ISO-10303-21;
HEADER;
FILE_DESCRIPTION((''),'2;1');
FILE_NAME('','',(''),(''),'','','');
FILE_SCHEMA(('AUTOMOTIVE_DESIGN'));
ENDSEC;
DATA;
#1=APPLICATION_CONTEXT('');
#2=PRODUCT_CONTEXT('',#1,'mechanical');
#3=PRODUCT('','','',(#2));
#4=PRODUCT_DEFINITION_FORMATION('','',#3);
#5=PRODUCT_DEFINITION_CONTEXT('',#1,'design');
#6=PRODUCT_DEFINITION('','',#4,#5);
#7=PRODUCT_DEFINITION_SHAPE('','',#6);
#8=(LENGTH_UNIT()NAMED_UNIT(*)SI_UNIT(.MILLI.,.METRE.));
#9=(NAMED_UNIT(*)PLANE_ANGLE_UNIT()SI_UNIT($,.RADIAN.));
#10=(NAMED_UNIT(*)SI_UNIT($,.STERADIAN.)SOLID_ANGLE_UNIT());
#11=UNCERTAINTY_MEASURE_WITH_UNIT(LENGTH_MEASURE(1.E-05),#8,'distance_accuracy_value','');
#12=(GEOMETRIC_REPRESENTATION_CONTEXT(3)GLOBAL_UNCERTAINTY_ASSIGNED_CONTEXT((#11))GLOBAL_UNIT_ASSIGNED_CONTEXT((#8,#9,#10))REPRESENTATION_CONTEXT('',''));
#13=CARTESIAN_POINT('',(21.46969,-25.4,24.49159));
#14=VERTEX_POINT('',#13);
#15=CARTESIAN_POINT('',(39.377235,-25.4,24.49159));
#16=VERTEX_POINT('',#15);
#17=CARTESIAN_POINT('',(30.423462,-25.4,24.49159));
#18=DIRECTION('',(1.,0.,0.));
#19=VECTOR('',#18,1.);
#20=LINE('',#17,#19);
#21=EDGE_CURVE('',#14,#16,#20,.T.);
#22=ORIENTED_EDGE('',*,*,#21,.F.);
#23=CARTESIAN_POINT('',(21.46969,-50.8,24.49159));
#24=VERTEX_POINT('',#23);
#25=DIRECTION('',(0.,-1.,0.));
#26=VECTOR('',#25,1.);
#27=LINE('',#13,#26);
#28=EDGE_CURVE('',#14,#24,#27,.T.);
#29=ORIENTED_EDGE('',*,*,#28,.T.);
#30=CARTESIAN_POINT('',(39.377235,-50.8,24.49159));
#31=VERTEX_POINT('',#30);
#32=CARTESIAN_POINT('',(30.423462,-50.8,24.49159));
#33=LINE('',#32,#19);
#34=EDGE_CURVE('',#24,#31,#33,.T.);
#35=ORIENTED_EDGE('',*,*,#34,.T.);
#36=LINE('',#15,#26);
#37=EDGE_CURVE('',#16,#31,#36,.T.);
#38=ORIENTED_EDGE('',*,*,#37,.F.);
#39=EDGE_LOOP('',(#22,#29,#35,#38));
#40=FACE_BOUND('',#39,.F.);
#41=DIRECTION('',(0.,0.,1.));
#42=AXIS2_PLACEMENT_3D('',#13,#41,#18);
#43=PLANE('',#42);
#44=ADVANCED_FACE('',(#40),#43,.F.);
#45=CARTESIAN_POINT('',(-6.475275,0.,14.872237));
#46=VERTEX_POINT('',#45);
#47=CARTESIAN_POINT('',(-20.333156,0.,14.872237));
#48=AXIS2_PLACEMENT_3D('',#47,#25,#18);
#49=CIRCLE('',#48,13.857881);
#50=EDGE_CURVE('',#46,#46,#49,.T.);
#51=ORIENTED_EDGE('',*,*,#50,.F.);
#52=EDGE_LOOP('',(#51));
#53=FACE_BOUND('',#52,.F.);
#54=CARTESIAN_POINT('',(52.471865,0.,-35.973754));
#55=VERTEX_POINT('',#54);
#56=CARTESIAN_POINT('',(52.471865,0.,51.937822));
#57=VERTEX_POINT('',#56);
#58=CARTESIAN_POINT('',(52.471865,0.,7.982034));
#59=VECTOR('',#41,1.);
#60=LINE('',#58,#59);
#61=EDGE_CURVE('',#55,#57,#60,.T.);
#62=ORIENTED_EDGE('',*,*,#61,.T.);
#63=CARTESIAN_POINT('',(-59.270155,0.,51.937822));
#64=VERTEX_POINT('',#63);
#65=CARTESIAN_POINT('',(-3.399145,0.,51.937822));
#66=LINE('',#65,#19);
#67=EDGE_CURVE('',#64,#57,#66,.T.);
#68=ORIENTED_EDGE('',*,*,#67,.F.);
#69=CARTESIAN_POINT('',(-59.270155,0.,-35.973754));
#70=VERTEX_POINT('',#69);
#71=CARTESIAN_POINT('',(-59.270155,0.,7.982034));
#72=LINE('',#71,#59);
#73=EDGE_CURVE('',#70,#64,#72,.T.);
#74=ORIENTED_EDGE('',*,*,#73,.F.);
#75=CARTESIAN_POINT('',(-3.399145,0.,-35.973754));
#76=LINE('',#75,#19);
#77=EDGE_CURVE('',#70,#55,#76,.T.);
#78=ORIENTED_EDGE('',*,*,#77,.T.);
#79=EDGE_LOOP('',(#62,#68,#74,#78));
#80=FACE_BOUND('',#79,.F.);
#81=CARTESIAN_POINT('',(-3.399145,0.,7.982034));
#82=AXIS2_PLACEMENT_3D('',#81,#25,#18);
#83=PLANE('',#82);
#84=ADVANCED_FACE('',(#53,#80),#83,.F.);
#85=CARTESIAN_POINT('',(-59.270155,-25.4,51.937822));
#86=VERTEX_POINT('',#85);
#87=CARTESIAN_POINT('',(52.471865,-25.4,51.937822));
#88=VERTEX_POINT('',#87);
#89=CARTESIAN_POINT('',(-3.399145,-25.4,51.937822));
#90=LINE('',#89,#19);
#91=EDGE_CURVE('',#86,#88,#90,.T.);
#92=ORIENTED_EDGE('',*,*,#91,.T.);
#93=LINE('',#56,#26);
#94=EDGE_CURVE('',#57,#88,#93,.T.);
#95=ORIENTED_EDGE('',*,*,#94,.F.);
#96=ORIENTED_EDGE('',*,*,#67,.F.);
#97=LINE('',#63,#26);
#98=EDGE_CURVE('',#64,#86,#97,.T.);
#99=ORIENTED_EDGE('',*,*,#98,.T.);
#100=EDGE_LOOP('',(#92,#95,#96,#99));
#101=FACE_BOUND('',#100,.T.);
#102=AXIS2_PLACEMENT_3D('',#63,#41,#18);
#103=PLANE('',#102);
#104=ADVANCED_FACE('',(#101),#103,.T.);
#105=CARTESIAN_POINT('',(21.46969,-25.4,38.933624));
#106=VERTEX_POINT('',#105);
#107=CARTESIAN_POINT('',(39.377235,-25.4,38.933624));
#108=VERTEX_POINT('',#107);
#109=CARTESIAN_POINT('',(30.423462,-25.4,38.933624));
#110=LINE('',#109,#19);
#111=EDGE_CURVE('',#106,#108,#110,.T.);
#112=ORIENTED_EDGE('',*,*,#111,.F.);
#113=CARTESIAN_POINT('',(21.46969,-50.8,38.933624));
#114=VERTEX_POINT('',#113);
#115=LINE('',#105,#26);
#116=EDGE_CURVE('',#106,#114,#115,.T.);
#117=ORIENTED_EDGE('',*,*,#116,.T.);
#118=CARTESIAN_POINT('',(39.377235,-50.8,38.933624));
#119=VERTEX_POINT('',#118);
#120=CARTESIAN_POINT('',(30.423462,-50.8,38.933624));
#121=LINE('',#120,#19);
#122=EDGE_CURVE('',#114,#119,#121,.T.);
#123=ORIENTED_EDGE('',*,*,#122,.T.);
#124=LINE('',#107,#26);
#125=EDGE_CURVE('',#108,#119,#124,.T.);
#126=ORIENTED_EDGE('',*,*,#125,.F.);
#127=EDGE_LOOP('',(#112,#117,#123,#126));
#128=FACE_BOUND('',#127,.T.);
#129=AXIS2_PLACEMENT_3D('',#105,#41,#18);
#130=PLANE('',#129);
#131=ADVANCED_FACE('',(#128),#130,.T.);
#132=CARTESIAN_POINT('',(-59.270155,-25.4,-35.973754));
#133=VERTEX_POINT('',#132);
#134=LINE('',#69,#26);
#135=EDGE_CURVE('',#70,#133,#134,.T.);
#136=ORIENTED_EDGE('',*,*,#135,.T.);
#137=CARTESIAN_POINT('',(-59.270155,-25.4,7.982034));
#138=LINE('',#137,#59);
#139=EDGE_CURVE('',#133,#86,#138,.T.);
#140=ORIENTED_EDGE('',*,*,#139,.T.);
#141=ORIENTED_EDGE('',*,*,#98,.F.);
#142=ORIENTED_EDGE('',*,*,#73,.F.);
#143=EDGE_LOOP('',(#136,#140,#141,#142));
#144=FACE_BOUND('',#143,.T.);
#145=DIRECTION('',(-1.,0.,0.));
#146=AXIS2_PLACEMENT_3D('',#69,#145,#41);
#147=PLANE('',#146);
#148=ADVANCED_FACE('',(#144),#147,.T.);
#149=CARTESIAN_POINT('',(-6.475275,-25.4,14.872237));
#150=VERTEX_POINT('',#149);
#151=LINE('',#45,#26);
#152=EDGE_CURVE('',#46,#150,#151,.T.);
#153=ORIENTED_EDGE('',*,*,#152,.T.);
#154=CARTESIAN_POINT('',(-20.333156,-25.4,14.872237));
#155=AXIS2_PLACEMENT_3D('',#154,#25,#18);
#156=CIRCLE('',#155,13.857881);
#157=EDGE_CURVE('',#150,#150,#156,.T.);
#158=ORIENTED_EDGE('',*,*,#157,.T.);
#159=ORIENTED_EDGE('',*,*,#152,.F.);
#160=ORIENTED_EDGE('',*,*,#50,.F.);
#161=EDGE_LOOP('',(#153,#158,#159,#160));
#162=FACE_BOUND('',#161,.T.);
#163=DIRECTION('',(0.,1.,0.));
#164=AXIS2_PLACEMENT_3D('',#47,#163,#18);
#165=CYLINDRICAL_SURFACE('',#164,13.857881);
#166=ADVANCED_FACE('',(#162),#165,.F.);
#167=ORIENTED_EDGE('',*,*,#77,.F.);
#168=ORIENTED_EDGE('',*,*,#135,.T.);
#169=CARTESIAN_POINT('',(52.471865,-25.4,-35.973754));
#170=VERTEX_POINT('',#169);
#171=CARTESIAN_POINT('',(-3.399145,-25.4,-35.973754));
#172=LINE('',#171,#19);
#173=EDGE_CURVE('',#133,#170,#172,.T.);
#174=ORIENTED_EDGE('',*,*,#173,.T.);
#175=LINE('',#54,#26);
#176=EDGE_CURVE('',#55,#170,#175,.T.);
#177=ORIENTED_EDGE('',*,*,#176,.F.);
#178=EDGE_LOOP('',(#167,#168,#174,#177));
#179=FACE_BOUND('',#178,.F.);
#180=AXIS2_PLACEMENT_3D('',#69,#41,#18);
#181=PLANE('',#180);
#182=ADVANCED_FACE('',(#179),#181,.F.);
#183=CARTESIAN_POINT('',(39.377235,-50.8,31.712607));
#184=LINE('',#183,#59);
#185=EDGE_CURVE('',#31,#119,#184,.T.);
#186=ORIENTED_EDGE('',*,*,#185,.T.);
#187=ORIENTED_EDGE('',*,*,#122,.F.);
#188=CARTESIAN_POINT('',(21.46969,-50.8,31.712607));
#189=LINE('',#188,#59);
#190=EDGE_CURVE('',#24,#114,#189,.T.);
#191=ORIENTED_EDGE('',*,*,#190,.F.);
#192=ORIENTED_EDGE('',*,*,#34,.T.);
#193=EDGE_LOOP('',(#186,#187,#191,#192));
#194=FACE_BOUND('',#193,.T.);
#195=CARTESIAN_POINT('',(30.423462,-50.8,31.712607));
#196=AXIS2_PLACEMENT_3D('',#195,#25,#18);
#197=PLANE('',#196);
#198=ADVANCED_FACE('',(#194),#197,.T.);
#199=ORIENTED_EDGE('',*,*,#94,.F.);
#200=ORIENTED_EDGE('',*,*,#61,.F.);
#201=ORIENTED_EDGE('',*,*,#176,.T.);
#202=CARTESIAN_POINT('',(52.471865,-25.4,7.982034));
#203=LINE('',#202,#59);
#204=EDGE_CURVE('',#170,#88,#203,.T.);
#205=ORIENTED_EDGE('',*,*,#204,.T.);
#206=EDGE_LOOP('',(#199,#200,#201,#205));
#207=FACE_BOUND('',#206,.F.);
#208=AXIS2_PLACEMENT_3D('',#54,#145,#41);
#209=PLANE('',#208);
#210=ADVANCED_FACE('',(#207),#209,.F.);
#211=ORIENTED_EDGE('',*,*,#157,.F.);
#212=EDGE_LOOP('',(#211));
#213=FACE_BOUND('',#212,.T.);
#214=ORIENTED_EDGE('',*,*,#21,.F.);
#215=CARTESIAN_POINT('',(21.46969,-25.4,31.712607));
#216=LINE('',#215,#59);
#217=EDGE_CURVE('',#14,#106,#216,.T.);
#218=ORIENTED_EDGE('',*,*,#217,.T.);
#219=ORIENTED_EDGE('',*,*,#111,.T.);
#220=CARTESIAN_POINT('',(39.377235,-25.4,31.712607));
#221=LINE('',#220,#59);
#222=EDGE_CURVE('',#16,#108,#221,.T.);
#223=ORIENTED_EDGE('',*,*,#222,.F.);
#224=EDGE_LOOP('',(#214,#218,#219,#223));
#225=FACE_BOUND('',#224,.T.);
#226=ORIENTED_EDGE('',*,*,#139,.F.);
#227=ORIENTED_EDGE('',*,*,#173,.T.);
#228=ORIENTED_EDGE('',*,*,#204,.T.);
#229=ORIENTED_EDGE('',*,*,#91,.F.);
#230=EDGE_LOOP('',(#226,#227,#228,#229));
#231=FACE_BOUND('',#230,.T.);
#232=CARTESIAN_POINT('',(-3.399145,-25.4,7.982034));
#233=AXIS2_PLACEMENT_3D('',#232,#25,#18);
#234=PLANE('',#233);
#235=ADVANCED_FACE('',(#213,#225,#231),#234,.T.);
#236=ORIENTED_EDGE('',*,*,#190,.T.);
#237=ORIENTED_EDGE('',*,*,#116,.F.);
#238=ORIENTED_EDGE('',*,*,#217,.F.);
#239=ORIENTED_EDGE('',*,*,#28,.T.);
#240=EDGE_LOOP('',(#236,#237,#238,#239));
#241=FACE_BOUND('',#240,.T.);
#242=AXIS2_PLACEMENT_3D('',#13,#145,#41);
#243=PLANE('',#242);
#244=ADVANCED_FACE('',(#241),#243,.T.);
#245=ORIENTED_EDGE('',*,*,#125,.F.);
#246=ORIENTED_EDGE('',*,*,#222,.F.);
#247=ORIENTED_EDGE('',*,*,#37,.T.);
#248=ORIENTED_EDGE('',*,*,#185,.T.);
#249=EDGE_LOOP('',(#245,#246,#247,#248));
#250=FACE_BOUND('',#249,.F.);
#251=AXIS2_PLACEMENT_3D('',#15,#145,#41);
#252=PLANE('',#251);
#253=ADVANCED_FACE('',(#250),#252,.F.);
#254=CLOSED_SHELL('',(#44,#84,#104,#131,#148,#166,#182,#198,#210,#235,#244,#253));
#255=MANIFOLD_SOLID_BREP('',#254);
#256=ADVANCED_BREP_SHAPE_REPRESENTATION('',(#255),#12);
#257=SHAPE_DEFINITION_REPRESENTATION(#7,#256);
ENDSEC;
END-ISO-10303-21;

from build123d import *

# Parameters (mm, degrees)
F0_W     = 111.74202
F0_H     = 87.911576
F0_R     = 13.857881
F1_DEPTH = 25.4
F2_W     = 17.907545
F2_H     = 14.442034
F3_DEPTH = 25.4


with BuildPart() as f1:
    # F0 (on Front) → F1 (new body)
    with BuildSketch(Plane.XZ):
        with Locations((-3.399145, 7.982034)):
            Rectangle(F0_W, F0_H)
        with Locations((-20.333156, 14.872237)):
            Circle(F0_R, mode=Mode.SUBTRACT)
    extrude(amount=F1_DEPTH)

    # F2 (on face) → F3 (join)
    with BuildSketch(Plane.XZ.offset(25.4)):
        with Locations((30.423462, 31.712607)):
            Rectangle(F2_W, F2_H)
    extrude(amount=F3_DEPTH)


solid = f1.part
